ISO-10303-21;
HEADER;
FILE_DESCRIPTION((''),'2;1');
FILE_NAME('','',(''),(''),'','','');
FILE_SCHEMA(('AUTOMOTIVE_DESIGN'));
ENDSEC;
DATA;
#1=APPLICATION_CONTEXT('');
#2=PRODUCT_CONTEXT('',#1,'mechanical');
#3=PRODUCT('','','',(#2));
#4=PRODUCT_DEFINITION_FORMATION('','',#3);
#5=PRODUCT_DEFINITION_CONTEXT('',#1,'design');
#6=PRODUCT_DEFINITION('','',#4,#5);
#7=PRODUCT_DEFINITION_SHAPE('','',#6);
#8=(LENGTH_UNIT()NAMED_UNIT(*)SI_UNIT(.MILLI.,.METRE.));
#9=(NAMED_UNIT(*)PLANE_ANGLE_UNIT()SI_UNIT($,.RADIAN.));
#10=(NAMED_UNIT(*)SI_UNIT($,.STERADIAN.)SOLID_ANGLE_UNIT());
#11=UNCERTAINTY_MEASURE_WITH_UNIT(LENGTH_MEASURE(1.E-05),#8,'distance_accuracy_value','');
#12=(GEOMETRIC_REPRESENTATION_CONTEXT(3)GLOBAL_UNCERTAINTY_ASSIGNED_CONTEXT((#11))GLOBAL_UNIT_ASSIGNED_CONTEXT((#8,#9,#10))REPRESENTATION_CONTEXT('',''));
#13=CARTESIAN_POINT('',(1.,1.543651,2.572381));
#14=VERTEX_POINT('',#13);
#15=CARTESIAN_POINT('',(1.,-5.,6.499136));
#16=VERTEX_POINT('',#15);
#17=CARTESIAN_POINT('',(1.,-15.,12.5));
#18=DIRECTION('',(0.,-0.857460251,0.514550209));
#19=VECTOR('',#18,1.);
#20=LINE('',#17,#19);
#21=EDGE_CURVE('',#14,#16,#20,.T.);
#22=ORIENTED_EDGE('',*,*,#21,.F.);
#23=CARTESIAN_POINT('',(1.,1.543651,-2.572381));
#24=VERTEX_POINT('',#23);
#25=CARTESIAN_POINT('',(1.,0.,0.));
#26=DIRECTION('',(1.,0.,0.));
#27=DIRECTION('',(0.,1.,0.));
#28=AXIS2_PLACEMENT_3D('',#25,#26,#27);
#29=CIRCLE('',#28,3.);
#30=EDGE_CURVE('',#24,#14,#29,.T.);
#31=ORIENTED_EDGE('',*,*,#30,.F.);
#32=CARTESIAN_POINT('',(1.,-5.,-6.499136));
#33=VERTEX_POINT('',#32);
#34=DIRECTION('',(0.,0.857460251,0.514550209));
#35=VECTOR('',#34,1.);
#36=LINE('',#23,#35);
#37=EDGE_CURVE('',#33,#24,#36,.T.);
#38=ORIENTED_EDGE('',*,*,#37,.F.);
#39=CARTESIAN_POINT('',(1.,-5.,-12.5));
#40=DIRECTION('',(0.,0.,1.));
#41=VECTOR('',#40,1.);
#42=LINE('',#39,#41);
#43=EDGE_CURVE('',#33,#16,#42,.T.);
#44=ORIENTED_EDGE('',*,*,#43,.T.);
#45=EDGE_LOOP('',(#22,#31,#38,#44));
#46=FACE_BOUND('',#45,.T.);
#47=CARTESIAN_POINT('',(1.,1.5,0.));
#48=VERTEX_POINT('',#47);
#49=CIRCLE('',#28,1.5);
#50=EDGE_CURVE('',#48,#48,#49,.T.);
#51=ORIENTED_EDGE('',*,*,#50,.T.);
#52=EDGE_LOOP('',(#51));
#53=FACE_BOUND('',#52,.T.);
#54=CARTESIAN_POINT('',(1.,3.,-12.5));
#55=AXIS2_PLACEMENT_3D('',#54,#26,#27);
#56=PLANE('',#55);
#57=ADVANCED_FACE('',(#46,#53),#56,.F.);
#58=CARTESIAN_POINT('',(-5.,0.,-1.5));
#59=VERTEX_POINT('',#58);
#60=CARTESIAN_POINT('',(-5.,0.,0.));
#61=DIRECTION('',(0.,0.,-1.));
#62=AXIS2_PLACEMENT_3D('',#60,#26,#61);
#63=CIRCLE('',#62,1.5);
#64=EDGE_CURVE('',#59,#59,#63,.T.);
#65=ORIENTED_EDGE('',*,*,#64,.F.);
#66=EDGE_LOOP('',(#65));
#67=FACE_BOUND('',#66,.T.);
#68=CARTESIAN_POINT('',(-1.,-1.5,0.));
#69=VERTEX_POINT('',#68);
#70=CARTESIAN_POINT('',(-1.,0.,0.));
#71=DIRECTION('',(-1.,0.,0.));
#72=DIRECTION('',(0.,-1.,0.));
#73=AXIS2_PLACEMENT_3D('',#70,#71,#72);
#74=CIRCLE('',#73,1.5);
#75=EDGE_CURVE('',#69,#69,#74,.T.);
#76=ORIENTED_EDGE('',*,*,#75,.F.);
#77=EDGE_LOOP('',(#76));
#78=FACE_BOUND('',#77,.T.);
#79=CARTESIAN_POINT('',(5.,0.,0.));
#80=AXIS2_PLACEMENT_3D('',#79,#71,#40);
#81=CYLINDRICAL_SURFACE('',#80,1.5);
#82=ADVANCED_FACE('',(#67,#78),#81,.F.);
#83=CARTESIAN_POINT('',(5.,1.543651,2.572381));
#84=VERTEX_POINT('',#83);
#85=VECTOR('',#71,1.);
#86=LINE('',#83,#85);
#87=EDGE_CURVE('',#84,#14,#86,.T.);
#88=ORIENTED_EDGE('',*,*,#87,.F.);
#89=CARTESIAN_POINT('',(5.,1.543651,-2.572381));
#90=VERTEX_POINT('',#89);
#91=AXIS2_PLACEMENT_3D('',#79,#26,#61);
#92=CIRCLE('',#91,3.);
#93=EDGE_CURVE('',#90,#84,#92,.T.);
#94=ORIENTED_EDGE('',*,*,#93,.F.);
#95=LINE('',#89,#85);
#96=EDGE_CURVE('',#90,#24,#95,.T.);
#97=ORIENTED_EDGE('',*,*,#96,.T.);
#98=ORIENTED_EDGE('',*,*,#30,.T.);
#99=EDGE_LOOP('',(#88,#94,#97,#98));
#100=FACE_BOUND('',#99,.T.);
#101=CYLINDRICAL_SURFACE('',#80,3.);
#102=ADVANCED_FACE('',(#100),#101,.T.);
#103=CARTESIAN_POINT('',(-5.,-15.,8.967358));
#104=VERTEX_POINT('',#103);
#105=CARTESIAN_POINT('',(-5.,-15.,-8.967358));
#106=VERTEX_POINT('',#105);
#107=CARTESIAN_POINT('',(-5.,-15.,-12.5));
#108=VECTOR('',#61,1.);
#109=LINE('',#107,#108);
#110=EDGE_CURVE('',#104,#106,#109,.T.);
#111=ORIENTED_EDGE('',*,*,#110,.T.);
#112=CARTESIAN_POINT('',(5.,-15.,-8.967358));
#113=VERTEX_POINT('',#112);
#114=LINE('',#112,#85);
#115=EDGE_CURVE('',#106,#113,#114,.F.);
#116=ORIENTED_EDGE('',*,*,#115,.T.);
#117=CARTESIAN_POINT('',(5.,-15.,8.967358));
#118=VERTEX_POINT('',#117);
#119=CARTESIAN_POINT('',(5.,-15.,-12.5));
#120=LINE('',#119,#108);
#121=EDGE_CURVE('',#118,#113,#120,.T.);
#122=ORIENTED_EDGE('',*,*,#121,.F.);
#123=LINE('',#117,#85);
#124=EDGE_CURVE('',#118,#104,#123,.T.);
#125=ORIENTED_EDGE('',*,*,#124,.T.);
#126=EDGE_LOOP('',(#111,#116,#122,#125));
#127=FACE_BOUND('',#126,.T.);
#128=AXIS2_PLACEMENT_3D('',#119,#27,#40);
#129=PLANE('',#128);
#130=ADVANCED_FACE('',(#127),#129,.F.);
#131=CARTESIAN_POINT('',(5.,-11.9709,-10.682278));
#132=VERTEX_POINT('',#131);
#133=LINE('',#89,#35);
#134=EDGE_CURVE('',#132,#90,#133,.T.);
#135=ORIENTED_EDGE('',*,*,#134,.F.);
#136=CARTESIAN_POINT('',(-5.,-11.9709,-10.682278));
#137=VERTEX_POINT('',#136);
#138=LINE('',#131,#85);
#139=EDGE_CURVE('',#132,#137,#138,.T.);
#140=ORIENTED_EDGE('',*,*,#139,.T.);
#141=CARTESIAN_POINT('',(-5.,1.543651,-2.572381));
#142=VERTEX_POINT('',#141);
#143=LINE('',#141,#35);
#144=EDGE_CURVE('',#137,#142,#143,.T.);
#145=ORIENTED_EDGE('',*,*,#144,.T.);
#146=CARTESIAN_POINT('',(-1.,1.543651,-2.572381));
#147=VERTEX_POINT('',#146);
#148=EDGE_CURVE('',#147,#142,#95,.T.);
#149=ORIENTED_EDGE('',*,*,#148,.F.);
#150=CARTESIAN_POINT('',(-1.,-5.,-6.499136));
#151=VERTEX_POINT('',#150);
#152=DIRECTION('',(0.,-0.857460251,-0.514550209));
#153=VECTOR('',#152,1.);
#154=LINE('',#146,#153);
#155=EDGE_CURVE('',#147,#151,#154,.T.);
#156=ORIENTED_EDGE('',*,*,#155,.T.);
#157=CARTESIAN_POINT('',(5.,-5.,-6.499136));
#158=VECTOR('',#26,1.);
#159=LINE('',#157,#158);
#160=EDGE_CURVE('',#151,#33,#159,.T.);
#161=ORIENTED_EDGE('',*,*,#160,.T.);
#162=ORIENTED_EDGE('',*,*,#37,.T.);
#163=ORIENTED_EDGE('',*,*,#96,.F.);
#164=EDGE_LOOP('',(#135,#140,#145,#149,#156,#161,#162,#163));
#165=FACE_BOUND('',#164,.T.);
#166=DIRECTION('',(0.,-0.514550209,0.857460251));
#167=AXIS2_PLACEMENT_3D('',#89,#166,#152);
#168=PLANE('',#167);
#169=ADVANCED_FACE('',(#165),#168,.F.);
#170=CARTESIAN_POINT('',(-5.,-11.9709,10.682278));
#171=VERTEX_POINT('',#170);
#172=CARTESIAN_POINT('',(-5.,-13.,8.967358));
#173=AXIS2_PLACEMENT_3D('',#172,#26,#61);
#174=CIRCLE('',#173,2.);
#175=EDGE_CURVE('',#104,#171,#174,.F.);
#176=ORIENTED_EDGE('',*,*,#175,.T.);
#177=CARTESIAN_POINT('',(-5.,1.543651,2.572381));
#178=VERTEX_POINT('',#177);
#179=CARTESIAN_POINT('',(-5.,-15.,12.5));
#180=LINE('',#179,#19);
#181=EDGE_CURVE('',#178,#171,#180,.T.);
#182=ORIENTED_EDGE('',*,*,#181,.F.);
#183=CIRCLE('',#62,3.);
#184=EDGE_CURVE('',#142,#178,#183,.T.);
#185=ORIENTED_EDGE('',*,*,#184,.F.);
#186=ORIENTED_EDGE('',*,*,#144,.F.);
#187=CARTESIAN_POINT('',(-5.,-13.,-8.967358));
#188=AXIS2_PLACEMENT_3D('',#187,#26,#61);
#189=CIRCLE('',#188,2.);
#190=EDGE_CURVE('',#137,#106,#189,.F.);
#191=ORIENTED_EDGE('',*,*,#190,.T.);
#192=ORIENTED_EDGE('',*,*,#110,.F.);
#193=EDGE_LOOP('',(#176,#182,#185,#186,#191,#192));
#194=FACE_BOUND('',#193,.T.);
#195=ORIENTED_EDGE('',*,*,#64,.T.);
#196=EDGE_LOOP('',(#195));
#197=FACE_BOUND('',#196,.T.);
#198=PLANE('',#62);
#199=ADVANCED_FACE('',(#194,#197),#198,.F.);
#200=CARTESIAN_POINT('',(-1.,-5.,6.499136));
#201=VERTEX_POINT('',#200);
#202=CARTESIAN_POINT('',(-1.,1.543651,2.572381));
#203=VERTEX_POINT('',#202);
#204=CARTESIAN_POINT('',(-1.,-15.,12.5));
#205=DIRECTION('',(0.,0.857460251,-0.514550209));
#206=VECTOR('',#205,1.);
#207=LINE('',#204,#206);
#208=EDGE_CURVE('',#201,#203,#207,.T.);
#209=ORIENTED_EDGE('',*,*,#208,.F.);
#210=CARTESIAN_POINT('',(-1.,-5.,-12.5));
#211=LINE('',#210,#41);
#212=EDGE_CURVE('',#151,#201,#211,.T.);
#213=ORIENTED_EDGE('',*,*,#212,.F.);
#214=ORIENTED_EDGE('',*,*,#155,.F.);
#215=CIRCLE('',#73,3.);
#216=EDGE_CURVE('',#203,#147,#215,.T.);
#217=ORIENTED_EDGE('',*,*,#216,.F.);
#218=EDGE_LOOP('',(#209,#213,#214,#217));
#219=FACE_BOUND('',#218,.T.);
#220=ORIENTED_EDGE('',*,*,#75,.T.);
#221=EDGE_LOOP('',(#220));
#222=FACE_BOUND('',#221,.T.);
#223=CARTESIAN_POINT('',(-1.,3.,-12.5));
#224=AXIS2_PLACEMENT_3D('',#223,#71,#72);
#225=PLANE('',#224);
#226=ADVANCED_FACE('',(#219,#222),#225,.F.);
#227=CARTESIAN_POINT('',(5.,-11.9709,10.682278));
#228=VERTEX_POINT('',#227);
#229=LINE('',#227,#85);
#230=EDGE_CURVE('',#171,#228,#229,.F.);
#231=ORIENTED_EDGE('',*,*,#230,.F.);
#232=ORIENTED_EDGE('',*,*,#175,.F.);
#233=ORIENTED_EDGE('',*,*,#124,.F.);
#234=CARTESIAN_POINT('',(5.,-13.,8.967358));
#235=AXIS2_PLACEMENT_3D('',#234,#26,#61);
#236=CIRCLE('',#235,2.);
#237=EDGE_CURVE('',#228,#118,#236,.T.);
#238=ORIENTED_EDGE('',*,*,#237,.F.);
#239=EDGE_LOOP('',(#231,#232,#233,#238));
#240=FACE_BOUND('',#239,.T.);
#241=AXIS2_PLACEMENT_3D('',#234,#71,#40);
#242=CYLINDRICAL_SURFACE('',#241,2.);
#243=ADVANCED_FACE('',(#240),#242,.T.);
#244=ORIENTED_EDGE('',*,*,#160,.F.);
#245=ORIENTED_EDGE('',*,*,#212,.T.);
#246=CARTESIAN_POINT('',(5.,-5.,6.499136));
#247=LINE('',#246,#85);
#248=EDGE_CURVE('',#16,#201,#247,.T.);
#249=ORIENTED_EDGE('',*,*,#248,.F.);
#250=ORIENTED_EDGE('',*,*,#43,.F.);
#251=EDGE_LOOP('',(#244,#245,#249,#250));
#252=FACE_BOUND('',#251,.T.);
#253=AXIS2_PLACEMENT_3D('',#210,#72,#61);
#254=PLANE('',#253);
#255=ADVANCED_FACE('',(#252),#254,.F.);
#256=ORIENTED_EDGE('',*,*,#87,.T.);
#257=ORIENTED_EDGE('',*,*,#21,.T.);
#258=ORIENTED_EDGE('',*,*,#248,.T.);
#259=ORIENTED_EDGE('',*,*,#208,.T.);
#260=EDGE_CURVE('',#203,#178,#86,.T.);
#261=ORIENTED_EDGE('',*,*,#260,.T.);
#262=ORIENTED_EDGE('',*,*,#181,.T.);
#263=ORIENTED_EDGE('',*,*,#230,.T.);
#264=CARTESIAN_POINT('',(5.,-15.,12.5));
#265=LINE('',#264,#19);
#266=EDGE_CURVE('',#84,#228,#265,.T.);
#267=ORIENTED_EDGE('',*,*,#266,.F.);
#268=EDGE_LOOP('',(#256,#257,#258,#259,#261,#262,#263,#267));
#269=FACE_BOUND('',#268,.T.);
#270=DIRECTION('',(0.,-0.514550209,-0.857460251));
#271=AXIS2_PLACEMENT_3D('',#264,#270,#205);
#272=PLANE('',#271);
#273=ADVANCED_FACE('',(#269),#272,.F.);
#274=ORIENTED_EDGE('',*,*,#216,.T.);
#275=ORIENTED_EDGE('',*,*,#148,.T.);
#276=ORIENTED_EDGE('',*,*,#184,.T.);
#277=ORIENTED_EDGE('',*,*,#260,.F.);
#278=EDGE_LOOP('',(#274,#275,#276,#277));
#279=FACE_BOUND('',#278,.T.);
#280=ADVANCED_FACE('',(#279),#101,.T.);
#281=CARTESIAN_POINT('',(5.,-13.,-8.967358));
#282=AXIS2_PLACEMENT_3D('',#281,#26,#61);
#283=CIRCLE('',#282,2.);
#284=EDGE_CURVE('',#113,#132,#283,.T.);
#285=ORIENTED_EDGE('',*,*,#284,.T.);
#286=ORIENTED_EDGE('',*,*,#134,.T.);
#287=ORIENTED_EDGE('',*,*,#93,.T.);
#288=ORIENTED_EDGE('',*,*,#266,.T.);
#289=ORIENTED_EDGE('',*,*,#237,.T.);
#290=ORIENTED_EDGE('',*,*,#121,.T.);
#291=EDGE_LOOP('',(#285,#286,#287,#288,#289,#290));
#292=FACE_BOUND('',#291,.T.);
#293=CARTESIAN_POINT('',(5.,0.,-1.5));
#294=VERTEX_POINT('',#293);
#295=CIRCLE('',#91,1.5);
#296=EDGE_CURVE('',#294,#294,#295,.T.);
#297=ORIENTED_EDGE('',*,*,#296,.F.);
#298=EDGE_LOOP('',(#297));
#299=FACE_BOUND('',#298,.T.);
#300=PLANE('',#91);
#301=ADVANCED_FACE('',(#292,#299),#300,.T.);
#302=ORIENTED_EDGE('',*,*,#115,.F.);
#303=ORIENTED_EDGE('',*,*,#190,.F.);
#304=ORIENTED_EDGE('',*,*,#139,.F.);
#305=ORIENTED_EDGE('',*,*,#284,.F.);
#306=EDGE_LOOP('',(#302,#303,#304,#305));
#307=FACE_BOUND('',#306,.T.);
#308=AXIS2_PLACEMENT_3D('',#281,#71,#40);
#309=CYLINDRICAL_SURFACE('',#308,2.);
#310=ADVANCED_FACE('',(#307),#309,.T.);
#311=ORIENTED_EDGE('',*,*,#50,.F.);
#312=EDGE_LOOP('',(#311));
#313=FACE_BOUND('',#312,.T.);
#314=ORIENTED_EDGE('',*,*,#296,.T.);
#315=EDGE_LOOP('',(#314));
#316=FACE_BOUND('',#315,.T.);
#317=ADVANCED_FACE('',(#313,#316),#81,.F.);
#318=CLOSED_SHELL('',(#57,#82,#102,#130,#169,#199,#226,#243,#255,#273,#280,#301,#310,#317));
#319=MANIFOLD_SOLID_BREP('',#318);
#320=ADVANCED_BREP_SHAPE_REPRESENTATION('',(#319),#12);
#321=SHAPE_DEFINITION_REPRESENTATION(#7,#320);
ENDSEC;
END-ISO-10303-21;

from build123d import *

# Parameters (mm, degrees)
ESQUISSE1_R                  = 1.5
BOSS_EXTRU_1_DEPTH           = 5
ENL_V_MAT_EXTRU_1_DEPTH      = 21.155644371
ENL_V_MAT_EXTRU_1_DEPTH_BACK = 21.155644371
ESQUISSE2_W                  = 2
ESQUISSE2_H                  = 8
CONG_1_R                     = 2


with BuildPart() as part:
    # Esquisse1 → Boss.-Extru.1 (new, symmetric)
    with BuildSketch(Plane(origin=(0, 0, 0), x_dir=(0, 0, -1), z_dir=(1, 0, 0))):
        with BuildLine():
            Line((2.572380753, 1.543650628), (12.5, -15))
            Line((12.5, -15), (-12.5, -15))
            Line((-12.5, -15), (-2.572380753, 1.543650628))
            ThreePointArc((-2.572380753, 1.543650628), (0, 3), (2.572380753, 1.543650628))
        make_face()
        Circle(ESQUISSE1_R, mode=Mode.SUBTRACT)
    extrude(amount=BOSS_EXTRU_1_DEPTH, both=True)

    # Esquisse2 → Enlèv. mat.-Extru.1 (cut, two sides: drawn at the far end of the back side and taken through both)
    with BuildSketch(Plane.XY.offset(-ENL_V_MAT_EXTRU_1_DEPTH_BACK)):
        with Locations((0, -1)):
            Rectangle(ESQUISSE2_W, ESQUISSE2_H)
    extrude(amount=ENL_V_MAT_EXTRU_1_DEPTH + ENL_V_MAT_EXTRU_1_DEPTH_BACK, mode=Mode.SUBTRACT)

    # Congé1
    cong_1_edges = [part.edges().sort_by_distance(p)[0] for p in [
        (0, -15, -12.5),
        (0, -15, 12.5),
    ]]
    fillet(cong_1_edges, radius=CONG_1_R)


solid = part.part
